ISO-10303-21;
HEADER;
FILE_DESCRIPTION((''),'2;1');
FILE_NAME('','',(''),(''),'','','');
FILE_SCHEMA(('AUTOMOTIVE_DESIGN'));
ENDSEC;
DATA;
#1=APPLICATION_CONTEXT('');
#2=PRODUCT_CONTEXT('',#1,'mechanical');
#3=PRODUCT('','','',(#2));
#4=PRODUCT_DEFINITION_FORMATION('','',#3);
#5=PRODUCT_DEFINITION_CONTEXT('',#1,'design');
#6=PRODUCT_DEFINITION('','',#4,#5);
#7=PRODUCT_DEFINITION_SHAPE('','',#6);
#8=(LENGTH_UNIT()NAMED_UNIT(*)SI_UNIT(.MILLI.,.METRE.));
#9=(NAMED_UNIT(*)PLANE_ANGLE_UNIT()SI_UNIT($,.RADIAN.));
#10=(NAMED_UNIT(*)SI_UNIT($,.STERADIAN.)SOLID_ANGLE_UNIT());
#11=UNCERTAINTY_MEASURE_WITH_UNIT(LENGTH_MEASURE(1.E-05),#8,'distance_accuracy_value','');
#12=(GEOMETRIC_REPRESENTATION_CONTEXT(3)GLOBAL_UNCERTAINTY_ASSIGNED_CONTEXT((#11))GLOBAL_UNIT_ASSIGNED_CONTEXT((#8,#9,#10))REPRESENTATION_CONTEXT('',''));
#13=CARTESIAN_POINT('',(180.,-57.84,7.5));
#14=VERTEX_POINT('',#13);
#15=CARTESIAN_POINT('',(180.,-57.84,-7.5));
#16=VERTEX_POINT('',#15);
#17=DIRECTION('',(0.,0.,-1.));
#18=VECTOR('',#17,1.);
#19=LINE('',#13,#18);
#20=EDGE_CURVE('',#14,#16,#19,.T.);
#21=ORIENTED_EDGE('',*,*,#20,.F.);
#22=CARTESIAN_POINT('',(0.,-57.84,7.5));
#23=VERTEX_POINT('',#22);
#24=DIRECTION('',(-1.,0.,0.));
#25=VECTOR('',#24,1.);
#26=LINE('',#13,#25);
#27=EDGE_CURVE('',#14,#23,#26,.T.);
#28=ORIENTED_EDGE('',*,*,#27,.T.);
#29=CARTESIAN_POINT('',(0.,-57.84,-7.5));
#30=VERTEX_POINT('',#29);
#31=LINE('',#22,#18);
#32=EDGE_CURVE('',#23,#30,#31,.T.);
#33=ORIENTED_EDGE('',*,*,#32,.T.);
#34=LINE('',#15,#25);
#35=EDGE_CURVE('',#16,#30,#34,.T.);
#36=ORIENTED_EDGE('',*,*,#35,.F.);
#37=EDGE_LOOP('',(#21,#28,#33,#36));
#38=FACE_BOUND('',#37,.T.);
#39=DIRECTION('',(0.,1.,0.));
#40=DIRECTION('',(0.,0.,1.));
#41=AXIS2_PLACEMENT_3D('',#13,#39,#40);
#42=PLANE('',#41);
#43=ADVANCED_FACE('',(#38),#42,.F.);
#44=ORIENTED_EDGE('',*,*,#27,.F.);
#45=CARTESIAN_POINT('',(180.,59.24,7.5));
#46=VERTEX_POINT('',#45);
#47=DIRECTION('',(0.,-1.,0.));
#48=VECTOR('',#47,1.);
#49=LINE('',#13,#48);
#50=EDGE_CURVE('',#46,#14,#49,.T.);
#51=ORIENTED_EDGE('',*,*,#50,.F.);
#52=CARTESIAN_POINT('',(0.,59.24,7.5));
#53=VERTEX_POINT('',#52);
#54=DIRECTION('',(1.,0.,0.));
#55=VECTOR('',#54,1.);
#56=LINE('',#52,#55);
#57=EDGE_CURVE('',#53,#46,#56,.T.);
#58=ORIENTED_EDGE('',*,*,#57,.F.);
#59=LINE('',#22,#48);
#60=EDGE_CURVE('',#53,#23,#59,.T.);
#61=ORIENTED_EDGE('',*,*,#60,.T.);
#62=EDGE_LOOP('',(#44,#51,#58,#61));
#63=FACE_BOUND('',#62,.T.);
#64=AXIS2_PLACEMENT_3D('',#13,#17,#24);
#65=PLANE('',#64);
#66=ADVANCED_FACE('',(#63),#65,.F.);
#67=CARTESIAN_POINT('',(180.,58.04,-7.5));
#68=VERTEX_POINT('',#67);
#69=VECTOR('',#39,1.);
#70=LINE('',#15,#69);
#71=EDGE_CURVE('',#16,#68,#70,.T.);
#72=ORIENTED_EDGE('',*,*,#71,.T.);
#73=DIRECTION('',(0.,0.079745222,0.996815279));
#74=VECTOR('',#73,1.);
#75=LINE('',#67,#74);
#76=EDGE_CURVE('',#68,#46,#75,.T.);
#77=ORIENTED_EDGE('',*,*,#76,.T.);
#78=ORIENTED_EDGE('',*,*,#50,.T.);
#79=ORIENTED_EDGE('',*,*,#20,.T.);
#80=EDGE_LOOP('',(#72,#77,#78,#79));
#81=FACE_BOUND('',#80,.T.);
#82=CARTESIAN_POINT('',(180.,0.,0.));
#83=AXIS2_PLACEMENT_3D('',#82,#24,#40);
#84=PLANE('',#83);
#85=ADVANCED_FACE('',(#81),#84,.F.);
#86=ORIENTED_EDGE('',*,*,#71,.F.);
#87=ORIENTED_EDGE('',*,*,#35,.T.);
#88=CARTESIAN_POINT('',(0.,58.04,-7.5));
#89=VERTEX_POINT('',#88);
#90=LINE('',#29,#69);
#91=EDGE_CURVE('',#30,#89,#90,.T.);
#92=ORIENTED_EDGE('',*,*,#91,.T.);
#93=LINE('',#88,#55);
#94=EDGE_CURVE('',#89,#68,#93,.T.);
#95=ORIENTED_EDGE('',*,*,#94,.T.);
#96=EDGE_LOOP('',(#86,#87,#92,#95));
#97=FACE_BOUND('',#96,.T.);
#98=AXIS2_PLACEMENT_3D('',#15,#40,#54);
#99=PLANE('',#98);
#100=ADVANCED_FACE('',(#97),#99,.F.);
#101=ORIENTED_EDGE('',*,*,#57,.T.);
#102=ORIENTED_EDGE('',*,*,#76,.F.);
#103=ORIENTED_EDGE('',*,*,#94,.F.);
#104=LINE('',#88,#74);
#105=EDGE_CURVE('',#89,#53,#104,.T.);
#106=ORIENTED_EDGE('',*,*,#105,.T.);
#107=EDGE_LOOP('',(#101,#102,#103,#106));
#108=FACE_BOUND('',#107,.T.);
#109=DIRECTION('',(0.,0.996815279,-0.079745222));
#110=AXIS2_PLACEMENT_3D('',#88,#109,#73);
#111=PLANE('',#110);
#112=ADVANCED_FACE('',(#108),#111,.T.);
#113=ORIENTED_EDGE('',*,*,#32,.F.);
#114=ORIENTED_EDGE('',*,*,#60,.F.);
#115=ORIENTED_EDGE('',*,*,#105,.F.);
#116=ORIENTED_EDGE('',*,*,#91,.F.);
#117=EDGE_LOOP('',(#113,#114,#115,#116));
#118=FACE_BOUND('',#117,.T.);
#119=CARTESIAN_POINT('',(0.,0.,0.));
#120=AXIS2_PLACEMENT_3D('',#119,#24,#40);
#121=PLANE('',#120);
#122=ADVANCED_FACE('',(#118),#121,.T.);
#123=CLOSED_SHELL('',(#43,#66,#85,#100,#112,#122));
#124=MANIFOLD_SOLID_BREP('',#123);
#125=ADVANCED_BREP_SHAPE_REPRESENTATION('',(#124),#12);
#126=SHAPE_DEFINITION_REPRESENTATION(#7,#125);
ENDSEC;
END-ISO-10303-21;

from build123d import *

# Parameters (mm, degrees)
CROQUIS1_W              = 15
CROQUIS1_H              = 115.68
SALIENTE_EXTRUIR1_DEPTH = 180
SALIENTE_EXTRUIR3_DEPTH = 180


with BuildPart() as part:
    # Croquis1 → Saliente-Extruir1 (new body)
    with BuildSketch(Plane(origin=(0, 0, 0), x_dir=(0, 0, -1), z_dir=(1, 0, 0))):
        Rectangle(CROQUIS1_W, CROQUIS1_H)
    extrude(amount=SALIENTE_EXTRUIR1_DEPTH)

    # Croquis3 → Saliente-Extruir3 (add, through all)
    with BuildSketch(Plane(origin=(180, 0, 0), x_dir=(0, 0, -1), z_dir=(1, 0, 0))):
        Polygon((7.5, 57.84), (-7.5, 57.84), (-7.5, 59.24), (7.5, 58.04), align=None)
    extrude(amount=-SALIENTE_EXTRUIR3_DEPTH)


solid = part.part
